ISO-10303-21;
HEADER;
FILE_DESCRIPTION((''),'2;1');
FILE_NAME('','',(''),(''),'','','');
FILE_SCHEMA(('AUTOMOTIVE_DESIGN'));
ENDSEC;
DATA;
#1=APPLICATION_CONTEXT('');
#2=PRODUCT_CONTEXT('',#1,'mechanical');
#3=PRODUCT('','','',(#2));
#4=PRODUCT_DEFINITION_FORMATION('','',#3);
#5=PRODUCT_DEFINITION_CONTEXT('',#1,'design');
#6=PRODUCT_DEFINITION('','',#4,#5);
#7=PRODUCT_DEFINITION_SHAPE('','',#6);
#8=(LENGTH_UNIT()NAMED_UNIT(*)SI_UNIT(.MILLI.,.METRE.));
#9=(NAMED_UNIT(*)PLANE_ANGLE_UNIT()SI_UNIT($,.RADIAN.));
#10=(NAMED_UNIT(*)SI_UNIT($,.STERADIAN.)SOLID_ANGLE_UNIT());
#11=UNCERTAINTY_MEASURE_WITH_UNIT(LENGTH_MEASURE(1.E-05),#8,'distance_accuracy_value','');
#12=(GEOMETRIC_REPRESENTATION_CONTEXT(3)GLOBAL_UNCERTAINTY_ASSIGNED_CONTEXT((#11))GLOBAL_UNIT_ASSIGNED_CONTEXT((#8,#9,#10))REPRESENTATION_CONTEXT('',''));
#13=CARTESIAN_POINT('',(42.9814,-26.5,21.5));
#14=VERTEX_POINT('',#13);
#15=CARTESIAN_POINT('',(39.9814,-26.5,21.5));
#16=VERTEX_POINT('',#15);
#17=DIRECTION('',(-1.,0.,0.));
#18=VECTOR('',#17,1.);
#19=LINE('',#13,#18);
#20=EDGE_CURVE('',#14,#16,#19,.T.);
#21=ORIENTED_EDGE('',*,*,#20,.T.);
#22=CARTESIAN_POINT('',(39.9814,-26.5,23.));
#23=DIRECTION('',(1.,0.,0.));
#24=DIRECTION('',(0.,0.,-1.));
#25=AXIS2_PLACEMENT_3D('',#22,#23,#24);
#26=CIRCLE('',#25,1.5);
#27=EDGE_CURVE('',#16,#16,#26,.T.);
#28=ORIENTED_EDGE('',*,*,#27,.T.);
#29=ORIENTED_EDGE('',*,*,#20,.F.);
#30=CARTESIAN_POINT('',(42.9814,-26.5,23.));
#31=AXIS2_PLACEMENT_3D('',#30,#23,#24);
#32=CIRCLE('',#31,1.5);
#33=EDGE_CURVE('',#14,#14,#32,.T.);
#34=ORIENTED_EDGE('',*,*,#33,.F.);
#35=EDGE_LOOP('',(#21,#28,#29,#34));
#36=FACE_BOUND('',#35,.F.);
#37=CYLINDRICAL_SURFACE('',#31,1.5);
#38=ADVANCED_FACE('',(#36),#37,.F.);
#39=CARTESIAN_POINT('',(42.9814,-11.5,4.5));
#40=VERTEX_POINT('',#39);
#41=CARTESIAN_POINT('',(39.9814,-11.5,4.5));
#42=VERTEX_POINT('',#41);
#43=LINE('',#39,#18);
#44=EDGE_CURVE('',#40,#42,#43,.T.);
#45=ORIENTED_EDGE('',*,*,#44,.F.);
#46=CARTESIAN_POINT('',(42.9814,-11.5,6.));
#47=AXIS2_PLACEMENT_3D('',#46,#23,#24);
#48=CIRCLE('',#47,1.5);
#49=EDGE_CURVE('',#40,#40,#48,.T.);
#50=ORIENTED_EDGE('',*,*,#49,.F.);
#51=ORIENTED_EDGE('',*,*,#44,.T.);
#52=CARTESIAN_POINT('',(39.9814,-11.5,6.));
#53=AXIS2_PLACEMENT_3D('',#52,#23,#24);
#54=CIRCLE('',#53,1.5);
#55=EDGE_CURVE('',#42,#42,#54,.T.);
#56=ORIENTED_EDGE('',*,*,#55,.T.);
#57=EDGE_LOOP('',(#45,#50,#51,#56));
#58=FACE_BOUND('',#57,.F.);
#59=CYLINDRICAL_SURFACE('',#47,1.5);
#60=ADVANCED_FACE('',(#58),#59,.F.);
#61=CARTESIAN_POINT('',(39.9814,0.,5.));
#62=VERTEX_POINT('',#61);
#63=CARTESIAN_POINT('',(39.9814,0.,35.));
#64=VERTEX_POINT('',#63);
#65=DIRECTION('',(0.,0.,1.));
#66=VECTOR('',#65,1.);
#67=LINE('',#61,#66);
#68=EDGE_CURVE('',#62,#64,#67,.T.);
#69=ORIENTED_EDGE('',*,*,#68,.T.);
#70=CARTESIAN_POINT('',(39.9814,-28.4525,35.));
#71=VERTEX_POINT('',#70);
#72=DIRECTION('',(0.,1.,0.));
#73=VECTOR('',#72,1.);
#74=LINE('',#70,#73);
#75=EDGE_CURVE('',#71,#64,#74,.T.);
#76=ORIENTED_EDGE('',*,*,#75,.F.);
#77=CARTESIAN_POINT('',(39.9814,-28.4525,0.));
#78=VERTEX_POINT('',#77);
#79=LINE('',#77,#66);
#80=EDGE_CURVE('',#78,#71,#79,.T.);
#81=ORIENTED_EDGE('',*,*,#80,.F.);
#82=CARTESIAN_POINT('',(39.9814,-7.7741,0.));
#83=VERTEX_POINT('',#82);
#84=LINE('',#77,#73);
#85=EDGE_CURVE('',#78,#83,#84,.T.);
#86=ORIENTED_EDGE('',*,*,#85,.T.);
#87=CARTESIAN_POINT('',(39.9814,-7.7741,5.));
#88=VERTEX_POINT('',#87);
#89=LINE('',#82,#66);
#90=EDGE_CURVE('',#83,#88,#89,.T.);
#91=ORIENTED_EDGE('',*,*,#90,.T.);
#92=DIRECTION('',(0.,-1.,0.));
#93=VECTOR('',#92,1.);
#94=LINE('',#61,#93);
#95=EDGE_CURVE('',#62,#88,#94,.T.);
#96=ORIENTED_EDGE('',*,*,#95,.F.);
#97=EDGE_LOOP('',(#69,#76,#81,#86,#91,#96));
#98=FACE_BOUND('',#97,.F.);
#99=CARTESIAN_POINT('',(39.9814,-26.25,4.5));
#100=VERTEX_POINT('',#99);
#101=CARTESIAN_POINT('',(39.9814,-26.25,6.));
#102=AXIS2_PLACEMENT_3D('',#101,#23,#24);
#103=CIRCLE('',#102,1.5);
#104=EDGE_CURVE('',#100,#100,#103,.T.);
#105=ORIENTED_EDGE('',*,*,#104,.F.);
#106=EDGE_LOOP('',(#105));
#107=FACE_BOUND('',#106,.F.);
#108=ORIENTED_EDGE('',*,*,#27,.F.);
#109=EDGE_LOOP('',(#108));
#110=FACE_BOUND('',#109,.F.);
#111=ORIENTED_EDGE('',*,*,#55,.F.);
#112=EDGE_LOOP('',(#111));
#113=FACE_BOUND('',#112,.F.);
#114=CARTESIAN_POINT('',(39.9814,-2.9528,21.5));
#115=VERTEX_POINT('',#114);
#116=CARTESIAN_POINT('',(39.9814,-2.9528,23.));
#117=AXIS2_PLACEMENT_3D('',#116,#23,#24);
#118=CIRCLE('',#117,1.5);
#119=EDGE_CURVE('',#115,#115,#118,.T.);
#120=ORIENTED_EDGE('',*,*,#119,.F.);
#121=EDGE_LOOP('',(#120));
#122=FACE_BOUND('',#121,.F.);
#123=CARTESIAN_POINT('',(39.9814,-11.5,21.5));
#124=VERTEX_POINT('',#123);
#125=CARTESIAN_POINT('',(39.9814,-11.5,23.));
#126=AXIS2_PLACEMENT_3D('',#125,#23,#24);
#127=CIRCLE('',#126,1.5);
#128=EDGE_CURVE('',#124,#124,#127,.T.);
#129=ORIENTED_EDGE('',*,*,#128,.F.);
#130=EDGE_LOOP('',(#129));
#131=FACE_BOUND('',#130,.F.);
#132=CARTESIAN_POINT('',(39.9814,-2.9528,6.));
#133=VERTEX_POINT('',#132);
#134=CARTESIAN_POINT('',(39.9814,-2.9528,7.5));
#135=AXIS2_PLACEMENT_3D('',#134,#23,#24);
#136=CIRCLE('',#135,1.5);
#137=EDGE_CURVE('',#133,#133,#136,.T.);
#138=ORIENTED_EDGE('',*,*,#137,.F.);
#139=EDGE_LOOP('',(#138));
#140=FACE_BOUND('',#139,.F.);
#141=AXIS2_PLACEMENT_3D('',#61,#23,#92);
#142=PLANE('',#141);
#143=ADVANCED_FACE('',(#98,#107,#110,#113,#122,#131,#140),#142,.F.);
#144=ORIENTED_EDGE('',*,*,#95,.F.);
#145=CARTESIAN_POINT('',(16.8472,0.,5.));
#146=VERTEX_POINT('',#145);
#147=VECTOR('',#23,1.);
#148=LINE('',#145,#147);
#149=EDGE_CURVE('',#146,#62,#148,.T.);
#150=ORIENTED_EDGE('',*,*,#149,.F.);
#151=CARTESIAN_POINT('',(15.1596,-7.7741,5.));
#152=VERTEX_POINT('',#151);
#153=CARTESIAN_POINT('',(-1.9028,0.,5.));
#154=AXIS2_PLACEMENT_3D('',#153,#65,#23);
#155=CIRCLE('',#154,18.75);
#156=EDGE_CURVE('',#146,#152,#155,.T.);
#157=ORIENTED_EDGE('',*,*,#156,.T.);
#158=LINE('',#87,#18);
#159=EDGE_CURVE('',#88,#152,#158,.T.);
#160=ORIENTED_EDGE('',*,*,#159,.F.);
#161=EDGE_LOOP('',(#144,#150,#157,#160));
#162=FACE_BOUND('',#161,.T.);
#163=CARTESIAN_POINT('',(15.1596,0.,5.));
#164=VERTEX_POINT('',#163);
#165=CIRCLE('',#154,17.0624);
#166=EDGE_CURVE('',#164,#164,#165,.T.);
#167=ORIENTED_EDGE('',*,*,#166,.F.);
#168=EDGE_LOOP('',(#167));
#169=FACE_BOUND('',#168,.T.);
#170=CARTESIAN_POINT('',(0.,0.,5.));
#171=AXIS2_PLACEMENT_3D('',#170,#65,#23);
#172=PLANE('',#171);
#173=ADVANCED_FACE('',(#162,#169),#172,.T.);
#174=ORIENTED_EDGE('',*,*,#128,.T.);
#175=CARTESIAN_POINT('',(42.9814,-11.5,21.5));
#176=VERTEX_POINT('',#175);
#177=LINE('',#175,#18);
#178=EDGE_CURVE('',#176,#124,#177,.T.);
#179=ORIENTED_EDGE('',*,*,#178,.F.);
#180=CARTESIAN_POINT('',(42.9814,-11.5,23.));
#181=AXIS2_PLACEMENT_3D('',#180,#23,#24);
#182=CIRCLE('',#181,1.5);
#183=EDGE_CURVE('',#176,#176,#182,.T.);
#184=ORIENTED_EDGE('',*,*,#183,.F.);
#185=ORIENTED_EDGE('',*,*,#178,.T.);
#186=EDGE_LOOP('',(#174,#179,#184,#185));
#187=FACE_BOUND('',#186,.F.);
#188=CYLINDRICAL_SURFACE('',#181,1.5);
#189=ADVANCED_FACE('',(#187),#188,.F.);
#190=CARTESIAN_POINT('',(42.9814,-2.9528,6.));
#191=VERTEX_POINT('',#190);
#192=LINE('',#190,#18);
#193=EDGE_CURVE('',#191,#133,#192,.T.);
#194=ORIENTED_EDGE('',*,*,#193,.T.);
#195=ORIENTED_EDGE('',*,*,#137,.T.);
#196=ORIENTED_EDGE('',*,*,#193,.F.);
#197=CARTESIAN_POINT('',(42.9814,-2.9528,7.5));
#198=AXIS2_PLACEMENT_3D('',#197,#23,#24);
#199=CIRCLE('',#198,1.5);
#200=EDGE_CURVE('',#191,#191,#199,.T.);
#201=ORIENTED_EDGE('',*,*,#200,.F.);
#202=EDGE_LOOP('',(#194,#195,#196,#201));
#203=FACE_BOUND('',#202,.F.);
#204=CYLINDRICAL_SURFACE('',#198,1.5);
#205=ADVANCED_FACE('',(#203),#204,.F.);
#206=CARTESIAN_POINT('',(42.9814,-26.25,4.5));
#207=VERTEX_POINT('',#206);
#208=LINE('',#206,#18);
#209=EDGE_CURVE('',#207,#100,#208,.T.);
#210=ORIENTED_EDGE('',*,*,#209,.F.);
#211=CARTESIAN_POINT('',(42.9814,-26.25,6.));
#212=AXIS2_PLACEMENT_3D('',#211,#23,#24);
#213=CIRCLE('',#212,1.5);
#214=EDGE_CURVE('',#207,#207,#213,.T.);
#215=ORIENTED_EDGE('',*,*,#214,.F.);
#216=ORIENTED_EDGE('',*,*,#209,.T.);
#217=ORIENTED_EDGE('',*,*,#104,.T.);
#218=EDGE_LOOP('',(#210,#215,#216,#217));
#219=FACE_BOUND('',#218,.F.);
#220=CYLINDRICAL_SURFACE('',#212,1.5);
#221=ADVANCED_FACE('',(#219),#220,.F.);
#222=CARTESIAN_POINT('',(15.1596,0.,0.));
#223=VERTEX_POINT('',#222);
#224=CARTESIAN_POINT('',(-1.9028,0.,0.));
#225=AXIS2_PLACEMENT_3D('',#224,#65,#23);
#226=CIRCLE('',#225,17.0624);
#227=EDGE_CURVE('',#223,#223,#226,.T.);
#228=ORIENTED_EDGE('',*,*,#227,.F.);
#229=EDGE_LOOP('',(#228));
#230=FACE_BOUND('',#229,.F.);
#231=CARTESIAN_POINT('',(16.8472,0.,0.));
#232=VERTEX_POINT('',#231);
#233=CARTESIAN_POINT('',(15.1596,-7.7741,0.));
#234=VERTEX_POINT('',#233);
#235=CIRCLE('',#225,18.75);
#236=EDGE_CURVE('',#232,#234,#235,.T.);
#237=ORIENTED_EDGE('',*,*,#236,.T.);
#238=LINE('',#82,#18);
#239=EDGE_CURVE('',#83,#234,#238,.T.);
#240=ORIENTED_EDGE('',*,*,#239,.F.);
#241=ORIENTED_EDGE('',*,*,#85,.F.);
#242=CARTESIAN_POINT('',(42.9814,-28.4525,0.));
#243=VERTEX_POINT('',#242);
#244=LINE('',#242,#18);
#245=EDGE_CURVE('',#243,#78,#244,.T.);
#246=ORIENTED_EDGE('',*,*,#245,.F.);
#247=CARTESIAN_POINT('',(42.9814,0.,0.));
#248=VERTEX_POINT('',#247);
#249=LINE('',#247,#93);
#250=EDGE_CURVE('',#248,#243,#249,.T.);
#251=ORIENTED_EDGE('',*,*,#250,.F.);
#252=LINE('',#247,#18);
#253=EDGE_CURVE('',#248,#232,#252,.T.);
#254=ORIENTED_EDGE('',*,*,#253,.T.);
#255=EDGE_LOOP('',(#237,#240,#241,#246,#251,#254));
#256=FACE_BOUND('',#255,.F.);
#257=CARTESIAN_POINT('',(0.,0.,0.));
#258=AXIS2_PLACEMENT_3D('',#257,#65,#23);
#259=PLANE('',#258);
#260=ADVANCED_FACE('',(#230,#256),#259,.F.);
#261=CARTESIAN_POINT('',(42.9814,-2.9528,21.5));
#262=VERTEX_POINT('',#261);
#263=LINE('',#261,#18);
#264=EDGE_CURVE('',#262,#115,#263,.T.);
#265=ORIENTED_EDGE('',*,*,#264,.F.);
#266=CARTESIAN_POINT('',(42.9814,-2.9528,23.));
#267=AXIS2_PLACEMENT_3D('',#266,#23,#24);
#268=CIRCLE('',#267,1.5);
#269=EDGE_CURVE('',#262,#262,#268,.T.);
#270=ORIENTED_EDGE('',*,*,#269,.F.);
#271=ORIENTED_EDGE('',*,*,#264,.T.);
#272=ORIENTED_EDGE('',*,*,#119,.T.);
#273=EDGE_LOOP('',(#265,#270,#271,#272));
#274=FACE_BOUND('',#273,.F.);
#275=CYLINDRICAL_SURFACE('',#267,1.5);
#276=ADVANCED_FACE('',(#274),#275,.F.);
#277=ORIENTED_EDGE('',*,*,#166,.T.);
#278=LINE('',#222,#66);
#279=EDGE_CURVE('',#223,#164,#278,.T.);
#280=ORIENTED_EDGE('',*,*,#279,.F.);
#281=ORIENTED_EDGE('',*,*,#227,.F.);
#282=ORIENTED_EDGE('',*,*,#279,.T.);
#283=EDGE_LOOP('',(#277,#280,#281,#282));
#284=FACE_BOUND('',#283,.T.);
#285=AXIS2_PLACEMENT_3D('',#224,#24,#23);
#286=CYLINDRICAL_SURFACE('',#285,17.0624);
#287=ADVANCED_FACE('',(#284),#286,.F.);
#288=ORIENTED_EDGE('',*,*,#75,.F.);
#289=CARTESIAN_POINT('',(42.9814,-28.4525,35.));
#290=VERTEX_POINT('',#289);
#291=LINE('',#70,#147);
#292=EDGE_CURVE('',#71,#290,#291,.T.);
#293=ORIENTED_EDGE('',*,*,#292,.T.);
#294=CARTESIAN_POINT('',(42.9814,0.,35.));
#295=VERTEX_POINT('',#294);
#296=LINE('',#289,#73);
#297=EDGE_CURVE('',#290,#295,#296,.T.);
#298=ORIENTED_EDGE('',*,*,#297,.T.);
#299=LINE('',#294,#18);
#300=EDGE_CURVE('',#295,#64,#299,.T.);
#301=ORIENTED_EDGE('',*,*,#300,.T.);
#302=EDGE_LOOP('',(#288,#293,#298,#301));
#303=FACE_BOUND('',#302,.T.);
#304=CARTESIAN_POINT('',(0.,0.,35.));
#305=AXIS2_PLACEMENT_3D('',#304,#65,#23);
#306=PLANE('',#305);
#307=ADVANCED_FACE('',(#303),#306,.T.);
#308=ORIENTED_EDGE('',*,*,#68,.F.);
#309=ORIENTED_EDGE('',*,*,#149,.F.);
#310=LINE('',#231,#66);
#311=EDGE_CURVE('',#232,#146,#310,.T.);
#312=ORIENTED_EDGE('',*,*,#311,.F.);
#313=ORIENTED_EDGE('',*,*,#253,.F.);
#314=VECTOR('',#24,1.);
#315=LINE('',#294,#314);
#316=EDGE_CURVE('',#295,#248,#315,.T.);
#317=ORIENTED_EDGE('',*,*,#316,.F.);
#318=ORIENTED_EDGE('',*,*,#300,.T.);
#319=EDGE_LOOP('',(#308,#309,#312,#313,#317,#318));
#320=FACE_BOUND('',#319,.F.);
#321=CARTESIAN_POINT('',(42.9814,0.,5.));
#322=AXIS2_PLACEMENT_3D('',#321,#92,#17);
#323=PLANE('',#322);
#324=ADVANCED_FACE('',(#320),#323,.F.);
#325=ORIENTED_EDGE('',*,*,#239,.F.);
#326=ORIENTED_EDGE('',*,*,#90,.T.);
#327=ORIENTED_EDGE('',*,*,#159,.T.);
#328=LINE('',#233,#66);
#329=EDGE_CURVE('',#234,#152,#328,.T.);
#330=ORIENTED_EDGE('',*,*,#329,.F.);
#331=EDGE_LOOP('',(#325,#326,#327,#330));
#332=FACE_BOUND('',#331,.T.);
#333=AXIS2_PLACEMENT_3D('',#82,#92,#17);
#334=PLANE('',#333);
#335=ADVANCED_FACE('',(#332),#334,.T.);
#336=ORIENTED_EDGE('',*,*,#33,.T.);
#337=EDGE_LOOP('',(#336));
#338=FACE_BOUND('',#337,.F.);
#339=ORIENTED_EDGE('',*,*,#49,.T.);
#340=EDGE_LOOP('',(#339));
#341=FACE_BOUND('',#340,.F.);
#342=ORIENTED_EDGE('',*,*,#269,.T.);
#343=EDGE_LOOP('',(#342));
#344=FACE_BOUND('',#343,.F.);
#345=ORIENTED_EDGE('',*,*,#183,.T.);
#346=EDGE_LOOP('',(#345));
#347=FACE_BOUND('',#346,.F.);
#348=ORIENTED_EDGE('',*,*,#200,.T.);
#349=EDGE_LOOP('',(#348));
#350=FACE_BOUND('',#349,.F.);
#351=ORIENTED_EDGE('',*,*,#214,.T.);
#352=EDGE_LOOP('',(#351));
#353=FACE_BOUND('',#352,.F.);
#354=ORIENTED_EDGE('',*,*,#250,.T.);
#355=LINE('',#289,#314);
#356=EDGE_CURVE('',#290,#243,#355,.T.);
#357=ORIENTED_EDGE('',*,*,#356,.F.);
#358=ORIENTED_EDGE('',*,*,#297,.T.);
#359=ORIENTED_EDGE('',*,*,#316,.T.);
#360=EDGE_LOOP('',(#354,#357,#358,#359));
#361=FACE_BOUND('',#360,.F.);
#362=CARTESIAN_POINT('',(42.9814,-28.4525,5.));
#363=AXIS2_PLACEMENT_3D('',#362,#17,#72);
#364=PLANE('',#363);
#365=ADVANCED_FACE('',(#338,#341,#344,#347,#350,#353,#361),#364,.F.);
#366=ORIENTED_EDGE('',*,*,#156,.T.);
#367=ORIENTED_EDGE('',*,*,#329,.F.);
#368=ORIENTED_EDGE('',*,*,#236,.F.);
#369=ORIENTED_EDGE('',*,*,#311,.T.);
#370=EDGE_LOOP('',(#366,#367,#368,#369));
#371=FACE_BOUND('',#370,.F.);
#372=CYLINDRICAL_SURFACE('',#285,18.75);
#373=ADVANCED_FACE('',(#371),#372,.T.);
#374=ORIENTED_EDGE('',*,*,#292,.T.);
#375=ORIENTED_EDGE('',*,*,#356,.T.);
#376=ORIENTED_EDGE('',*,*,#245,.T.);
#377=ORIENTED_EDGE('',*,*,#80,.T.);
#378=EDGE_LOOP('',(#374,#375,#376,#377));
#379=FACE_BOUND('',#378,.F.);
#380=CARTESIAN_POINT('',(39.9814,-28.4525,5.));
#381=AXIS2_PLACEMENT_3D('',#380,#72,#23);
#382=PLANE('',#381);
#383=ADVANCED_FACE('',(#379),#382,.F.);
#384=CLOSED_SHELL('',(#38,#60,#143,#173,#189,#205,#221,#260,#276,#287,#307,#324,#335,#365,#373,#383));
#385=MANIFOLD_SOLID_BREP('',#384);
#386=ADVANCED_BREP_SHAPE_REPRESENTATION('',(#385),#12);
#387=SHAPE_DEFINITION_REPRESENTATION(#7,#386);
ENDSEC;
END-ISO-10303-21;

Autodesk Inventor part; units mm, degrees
ref_plane "YZ Plane" through (0, 0, 0) normal (1, 0, 0) x (0, 1, 0)
ref_plane "XZ Plane" through (0, 0, 0) normal (0, 1, 0) x (-1, 0, 0)
ref_plane "Arbeitsebene1" through (0, 0, 0) normal (0, 0, 1) x (1, 0, 0)
sketch "Skizze1" plane through (0, 0, 0) normal (0, 0, 1) x (1, 0, 0)
  circle A0 centre (-1.9028, 0) radius 18.75 projected
  circle A1 centre (-1.9028, 0) radius 16.25 projected
  line L0 (31.75, -9) -> (39.5, -9) projected
  line L1 (39.5, -9) -> (39.5, -29) projected
  circle A2 centre (-1.9028, 0) radius 17.0624
  line L2 (39.9814, -7.7741) -> (15.1596, -7.7741)
  line L3 (15.1596, -7.7741) -> (15.1596, 0)
  line L4 (15.1596, 0) -> (39.9814, 0)
  line L5 (39.9814, 0) -> (39.9814, -7.7741)
  line L6 (39.9814, 0) -> (42.9814, 0)
  line L7 (42.9814, 0) -> (42.9814, -28.4525)
  line L8 (42.9814, -28.4525) -> (39.9814, -28.4525)
  line L9 (39.9814, -28.4525) -> (39.9814, 0)
  point P0 (0, 0)
  dimension "d0" = 3
extrude "Extrusion1" add sketch "Skizze1" along normal blind 5 contours L4 L3 A0 | L4 L5 L2 A0 | A0 L3 L4 | L6 L7 L8 L9 L5
sketch "Skizze2" plane through (0, 0, 5) normal (0, 0, 1) x (1, 0, 0)
  arc A0 (16.8472, 0) -> (15.1596, -7.7741) centre (-1.9028, 0) ccw projected
  line L0 (15.1596, -7.7741) -> (39.9814, -7.7741) projected
  line L1 (39.9814, -7.7741) -> (39.9814, -28.4525) projected
  line L2 (39.9814, -28.4525) -> (42.9814, -28.4525) projected
  line L3 (42.9814, -28.4525) -> (42.9814, 0) projected
  line L4 (42.9814, 0) -> (16.8472, 0) projected
  circle A1 centre (-1.9028, 0) radius 17.0624 projected
  line L5 (42.9814, 0) -> (39.9814, 0)
  line L6 (39.9814, 0) -> (39.9814, -28.4525)
  line L7 (39.9814, -28.4525) -> (42.9814, -28.4525)
  line L8 (42.9814, -28.4525) -> (42.9814, 0)
  point P0 (0, 0)
ref_plane "Arbeitsebene2" through (31.75, -29, 35) normal (0, 0, 1) x (1, 0, 0)
extrude "Extrusion2" add sketch "Skizze2" along normal up to surface (30 mm away) contours L4 L3 L2 L1 L6
sketch "Skizze3" plane through (42.9814, -28.4525, 0) normal (1, 0, 0) x (0, 0, -1)
  line L0 (-35, 13.9525) -> (6, 13.9525) projected
  line L1 (-35, 13.9525) -> (6, 13.9525) projected
  circle A0 centre (-6, 16.9525) radius 1.5 projected
  circle A1 centre (-23, 16.9525) radius 1.5 projected
  circle A2 centre (-6, 2.2025) radius 1.5 projected
  circle A3 centre (-23, 1.9525) radius 1.5 projected
  circle A4 centre (-23, 25.4997) radius 1.5
  circle A5 centre (-7.5, 25.4997) radius 1.5
  point P0 (0, 28.4525)
  dimension "d7" = 3
  dimension "d8" = 3
extrude "Extrusion3" cut sketch "Skizze3" against normal blind 5
properties part number "16_Gabel"
